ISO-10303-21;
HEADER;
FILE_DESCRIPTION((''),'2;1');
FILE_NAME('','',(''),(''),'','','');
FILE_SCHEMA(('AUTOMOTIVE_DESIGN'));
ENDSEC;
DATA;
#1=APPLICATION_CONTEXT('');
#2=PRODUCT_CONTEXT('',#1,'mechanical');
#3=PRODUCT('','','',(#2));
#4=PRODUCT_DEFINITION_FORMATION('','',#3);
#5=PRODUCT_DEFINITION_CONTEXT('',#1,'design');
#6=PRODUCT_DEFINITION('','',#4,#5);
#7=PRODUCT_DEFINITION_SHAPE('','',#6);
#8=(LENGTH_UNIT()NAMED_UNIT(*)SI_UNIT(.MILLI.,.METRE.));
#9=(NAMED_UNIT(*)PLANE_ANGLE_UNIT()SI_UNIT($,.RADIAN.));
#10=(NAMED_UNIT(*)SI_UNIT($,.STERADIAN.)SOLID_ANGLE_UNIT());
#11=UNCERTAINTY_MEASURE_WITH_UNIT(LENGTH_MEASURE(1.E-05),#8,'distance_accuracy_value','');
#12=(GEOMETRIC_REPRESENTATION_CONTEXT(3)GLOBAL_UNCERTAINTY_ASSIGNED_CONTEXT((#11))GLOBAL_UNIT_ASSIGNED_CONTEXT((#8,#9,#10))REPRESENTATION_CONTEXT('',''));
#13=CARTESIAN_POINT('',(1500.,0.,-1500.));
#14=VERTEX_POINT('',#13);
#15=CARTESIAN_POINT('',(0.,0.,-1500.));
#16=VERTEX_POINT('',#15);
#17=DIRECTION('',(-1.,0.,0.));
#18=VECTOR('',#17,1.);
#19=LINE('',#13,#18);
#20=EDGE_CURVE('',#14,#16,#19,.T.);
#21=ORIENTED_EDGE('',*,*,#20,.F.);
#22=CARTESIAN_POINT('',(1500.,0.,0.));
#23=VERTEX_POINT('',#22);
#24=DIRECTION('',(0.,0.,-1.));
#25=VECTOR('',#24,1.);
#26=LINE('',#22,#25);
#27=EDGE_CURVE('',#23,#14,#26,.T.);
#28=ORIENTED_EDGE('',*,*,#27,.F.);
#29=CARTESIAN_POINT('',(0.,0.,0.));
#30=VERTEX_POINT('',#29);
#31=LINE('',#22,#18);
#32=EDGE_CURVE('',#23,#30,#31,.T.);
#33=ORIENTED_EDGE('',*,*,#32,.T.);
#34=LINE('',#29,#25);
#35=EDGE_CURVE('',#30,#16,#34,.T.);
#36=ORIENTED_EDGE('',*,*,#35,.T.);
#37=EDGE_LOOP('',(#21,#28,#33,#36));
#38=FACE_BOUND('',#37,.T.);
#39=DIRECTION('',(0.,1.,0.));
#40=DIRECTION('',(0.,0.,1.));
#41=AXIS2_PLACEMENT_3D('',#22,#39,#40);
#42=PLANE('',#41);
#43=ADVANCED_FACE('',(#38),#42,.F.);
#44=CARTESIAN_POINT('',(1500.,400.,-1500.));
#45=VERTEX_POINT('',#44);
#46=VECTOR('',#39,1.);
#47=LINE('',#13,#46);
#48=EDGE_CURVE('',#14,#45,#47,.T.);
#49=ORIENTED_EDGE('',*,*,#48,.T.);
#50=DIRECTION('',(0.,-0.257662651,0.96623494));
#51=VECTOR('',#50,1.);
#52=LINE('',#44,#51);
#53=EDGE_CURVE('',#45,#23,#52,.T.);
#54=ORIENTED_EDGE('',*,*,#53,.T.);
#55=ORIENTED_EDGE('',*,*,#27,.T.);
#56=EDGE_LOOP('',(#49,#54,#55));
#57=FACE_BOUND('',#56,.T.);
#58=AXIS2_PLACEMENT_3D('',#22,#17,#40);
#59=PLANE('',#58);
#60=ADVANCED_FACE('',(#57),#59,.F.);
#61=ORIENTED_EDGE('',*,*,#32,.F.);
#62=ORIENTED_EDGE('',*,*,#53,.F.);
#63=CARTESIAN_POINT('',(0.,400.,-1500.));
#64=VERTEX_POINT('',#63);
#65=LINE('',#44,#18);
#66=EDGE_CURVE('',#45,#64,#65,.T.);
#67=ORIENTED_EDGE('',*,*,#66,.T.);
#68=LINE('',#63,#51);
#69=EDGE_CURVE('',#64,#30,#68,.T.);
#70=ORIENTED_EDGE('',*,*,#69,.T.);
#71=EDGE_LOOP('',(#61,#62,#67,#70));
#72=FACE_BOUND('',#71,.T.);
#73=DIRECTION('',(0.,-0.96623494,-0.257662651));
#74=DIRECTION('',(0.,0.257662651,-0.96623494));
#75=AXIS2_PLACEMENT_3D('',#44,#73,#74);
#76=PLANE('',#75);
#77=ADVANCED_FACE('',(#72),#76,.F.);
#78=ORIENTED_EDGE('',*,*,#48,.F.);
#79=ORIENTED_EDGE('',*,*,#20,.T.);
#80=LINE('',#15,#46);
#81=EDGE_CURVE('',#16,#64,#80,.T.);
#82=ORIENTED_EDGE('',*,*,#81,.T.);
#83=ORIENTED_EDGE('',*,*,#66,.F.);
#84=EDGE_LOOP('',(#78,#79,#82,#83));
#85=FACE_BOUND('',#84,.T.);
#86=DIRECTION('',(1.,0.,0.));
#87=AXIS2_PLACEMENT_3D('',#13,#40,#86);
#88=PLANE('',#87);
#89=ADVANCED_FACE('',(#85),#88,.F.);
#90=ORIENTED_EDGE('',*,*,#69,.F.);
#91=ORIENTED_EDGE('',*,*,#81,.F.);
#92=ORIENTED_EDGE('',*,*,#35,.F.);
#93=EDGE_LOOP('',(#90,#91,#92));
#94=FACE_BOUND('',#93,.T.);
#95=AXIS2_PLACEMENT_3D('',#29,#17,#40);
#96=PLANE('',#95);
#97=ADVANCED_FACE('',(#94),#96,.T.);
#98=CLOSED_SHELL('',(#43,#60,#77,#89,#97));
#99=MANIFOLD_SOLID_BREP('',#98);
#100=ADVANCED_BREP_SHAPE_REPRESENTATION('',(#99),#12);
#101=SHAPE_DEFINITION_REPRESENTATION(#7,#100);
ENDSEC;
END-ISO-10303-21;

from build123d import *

# Parameters (mm, degrees)
EXTRUDE_1_DEPTH = 1500


with BuildPart() as part:
    # 草图1 → 凸台-拉伸1 (new body)
    with BuildSketch(Plane(origin=(0, 0, 0), x_dir=(0, 0, -1), z_dir=(1, 0, 0))):
        Polygon((0, 0), (1500, 0), (1500, 400), align=None)
    extrude(amount=EXTRUDE_1_DEPTH)


solid = part.part
